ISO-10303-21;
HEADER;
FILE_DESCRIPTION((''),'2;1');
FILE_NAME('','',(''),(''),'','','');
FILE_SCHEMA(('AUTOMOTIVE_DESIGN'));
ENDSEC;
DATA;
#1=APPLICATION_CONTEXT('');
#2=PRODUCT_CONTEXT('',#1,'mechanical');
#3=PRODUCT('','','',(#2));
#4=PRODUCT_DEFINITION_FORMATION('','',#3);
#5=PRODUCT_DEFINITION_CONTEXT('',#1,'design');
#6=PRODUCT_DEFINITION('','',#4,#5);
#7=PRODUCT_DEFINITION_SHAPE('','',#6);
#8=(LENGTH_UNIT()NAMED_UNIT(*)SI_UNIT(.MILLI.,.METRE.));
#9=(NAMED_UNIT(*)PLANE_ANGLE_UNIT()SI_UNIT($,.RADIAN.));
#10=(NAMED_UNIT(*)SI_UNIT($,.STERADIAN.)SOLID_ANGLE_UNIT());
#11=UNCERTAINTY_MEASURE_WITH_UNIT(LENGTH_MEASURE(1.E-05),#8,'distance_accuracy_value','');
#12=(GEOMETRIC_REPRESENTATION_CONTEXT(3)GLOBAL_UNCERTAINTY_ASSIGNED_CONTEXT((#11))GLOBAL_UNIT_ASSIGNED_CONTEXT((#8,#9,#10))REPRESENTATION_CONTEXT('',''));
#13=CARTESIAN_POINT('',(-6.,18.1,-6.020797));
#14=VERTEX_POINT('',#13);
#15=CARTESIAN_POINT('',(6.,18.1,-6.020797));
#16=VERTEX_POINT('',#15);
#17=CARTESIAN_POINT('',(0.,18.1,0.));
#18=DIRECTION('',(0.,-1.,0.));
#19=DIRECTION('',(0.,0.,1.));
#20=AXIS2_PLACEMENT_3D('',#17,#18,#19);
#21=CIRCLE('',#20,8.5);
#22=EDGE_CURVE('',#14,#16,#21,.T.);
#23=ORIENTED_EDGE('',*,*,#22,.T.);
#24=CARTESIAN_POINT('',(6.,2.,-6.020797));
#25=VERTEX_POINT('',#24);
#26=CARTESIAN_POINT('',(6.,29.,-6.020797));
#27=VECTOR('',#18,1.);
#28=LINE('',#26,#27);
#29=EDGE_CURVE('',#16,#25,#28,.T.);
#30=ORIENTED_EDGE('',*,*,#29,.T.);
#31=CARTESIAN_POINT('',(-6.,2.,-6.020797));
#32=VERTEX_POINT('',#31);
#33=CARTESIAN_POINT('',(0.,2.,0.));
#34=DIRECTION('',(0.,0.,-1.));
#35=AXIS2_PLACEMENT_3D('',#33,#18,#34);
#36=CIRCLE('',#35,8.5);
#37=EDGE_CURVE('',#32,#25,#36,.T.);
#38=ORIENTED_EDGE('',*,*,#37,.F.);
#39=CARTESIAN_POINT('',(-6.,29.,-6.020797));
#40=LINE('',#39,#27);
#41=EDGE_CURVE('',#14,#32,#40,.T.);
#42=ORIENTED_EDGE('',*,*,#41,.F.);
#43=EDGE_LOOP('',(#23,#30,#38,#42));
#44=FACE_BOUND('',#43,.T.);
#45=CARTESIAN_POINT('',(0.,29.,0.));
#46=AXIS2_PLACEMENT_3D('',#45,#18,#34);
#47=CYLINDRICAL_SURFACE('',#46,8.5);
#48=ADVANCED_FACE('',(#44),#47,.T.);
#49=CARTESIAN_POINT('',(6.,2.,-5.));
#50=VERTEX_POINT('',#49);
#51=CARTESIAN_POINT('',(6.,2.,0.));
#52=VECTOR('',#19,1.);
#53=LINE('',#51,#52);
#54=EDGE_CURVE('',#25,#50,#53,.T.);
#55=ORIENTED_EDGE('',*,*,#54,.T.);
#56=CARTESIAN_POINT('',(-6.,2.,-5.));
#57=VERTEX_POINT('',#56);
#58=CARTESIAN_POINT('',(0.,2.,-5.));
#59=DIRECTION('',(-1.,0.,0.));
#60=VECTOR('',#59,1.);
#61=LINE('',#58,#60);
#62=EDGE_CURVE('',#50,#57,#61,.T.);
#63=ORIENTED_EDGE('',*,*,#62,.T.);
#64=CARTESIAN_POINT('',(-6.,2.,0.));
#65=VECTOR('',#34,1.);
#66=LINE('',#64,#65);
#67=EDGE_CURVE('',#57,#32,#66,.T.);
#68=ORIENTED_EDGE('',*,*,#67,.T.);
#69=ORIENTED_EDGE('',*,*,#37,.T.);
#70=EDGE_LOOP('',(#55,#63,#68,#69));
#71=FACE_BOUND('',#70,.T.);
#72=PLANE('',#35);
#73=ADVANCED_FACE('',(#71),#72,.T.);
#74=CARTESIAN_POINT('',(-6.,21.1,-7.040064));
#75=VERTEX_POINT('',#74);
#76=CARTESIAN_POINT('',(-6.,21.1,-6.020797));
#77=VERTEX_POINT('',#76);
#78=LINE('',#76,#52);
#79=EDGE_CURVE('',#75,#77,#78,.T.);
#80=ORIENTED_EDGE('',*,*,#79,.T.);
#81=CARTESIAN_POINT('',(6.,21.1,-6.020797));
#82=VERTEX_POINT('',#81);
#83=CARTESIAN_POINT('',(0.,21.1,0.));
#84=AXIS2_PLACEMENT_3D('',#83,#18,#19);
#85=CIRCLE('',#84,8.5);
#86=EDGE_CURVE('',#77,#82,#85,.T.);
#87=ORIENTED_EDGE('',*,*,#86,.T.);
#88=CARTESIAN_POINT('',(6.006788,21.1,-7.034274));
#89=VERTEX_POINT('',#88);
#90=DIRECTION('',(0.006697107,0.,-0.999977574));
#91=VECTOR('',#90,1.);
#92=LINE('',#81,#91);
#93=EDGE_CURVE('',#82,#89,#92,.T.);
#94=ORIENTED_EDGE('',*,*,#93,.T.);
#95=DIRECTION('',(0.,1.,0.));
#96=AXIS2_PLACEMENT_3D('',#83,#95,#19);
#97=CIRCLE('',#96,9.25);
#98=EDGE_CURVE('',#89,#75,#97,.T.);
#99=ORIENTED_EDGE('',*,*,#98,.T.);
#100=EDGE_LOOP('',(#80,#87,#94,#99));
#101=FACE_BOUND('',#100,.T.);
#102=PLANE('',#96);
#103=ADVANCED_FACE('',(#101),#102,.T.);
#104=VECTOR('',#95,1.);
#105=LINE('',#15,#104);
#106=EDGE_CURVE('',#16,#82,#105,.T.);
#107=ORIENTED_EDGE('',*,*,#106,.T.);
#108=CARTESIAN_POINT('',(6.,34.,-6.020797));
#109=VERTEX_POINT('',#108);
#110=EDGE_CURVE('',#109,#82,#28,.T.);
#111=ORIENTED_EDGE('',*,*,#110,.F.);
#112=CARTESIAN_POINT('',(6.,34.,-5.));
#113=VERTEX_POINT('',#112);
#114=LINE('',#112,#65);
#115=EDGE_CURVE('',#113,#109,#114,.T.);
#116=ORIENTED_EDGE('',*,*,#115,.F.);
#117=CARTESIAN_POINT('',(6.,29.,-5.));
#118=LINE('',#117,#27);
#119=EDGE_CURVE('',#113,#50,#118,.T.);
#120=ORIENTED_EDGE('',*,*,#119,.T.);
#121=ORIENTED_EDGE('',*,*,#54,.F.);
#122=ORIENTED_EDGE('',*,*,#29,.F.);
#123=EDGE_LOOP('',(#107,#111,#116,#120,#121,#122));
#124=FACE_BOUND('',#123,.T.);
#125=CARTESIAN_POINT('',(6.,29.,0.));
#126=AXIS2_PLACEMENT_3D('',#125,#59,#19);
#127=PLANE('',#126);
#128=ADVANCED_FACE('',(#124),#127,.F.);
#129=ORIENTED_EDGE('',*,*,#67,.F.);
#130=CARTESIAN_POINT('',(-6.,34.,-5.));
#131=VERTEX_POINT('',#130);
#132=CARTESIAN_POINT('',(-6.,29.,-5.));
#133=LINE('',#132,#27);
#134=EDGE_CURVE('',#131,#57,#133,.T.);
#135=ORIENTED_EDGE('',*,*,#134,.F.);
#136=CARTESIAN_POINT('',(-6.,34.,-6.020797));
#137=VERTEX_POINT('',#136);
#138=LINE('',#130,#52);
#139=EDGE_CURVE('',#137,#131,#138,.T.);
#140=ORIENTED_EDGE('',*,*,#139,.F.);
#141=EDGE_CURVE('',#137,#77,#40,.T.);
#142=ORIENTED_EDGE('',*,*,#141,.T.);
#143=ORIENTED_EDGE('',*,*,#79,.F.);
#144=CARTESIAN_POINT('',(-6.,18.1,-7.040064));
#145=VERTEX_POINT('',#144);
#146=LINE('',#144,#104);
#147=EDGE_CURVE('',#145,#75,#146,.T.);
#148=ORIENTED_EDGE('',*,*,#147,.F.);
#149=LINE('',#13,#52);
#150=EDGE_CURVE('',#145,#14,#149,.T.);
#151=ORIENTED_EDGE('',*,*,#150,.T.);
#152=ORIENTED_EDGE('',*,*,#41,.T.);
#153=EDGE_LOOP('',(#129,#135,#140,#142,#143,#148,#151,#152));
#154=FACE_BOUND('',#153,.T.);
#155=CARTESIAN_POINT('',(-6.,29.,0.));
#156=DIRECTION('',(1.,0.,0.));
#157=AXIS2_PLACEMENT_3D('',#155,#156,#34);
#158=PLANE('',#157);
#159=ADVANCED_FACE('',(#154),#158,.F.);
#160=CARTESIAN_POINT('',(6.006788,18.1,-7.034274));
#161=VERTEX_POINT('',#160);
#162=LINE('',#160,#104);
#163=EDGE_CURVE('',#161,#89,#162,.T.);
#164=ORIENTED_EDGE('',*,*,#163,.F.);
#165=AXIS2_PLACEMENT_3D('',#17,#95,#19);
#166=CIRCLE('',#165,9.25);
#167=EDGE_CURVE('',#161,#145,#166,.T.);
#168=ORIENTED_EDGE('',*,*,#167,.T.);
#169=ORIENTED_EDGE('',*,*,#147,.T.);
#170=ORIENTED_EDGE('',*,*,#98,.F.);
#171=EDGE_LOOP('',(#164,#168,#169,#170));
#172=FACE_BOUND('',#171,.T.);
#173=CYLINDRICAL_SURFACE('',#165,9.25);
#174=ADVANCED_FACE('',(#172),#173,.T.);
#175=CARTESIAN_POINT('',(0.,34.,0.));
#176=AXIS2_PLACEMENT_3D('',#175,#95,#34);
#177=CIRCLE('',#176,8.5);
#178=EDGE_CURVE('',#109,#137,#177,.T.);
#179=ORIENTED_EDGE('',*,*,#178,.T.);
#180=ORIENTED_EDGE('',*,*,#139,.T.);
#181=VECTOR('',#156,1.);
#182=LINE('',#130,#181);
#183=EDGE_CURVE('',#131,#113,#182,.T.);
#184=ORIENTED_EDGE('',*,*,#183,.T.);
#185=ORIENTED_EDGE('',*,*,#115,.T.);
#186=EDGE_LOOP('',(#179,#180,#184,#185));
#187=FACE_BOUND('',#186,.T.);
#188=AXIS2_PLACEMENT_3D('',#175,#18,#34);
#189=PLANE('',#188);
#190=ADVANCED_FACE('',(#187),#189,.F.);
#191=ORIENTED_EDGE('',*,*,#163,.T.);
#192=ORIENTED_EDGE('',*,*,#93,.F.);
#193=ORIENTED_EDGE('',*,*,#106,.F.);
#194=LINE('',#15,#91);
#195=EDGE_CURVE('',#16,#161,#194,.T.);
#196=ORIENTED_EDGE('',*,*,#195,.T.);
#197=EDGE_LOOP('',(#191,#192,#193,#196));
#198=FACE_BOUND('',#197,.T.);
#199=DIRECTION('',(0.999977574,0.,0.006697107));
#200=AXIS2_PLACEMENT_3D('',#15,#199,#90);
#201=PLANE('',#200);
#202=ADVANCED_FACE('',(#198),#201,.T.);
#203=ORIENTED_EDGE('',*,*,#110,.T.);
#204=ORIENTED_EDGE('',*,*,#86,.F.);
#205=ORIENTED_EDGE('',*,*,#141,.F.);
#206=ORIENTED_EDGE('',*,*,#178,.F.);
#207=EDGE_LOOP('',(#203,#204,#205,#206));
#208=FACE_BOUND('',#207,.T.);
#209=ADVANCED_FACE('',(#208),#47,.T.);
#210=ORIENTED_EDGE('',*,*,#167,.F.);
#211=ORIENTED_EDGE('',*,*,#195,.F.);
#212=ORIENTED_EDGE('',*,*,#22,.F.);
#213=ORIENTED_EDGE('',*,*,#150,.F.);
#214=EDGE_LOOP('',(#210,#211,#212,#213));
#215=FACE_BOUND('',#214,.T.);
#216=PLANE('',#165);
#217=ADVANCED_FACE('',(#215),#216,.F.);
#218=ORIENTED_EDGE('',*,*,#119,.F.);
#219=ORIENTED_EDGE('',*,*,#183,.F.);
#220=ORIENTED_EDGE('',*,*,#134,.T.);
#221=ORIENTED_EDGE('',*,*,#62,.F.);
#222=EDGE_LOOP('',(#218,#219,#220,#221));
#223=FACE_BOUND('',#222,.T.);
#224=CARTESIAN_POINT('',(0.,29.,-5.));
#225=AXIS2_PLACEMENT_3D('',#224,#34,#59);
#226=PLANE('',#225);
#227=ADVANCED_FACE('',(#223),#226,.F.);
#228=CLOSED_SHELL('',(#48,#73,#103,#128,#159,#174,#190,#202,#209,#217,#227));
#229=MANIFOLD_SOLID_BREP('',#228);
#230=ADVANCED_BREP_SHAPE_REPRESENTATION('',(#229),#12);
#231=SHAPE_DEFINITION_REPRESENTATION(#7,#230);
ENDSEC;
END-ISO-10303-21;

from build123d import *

# Parameters (mm, degrees)
BOSS_EXTRUDE1_DEPTH = 29
BOSS_EXTRUDE3_START = -3
BOSS_EXTRUDE3_DEPTH = 3
BOSS_EXTRUDE4_DEPTH = 29
SKETCH6_W           = 15.595785808
SKETCH6_H           = 9.872798586
CUT_EXTRUDE1_DEPTH  = 2
BOSS_EXTRUDE5_DEPTH = 5


with BuildPart() as part:
    # Sketch2 → Boss-Extrude1 (new body)
    with BuildSketch(Plane(origin=(0, 0, 0), x_dir=(1, 0, 0), z_dir=(0, 1, 0))):
        with BuildLine():
            Line((-6, 6.020797289), (-6, 5))
            Line((-6, 5), (-5.921359641, 5))
            ThreePointArc((-5.921359641, 5), (0, 7.75), (5.921359641, 5))
            Line((5.921359641, 5), (6, 5))
            Line((6, 5), (6, 6.020797289))
            ThreePointArc((6, 6.020797289), (0, 8.5), (-6, 6.020797289))
        make_face()
    extrude(amount=BOSS_EXTRUDE1_DEPTH)

    # Sketch4 → Boss-Extrude3 (add)
    with BuildSketch(Plane(origin=(0, 21.1, 0), x_dir=(1, 0, 0), z_dir=(0, 1, 0)).offset(BOSS_EXTRUDE3_START)):
        with BuildLine():
            Line((6, 6.020797289), (6.006787511, 7.03427351))
            ThreePointArc((6.006787511, 7.03427351), (0.004460918, 9.249998925), (-6, 7.040063921))
            Line((-6, 7.040063921), (-6, 6.020797289))
            ThreePointArc((-6, 6.020797289), (0, 8.5), (6, 6.020797289))
        make_face()
    extrude(amount=BOSS_EXTRUDE3_DEPTH)

    # Sketch5 → Boss-Extrude4 (add)
    with BuildSketch(Plane.XZ):
        with BuildLine():
            Line((-5.921359641, -5), (5.921359641, -5))
            ThreePointArc((5.921359641, -5), (0, -7.75), (-5.921359641, -5))
        make_face()
    extrude(amount=-BOSS_EXTRUDE4_DEPTH)

    # Sketch6 → Cut-Extrude1 (cut)
    with BuildSketch(Plane.XZ):
        with Locations((-0.763992961, -6.245386966)):
            Rectangle(SKETCH6_W, SKETCH6_H)
    extrude(amount=-CUT_EXTRUDE1_DEPTH, mode=Mode.SUBTRACT)

    # Sketch7 → Boss-Extrude5 (add)
    with BuildSketch(Plane(origin=(0, 29, 0), x_dir=(1, 0, 0), z_dir=(0, 1, 0))):
        with BuildLine():
            Line((-6, 5), (6, 5))
            Line((6, 5), (6, 6.020797289))
            ThreePointArc((6, 6.020797289), (0, 8.5), (-6, 6.020797289))
            Line((-6, 6.020797289), (-6, 5))
        make_face()
    extrude(amount=BOSS_EXTRUDE5_DEPTH)


solid = part.part
